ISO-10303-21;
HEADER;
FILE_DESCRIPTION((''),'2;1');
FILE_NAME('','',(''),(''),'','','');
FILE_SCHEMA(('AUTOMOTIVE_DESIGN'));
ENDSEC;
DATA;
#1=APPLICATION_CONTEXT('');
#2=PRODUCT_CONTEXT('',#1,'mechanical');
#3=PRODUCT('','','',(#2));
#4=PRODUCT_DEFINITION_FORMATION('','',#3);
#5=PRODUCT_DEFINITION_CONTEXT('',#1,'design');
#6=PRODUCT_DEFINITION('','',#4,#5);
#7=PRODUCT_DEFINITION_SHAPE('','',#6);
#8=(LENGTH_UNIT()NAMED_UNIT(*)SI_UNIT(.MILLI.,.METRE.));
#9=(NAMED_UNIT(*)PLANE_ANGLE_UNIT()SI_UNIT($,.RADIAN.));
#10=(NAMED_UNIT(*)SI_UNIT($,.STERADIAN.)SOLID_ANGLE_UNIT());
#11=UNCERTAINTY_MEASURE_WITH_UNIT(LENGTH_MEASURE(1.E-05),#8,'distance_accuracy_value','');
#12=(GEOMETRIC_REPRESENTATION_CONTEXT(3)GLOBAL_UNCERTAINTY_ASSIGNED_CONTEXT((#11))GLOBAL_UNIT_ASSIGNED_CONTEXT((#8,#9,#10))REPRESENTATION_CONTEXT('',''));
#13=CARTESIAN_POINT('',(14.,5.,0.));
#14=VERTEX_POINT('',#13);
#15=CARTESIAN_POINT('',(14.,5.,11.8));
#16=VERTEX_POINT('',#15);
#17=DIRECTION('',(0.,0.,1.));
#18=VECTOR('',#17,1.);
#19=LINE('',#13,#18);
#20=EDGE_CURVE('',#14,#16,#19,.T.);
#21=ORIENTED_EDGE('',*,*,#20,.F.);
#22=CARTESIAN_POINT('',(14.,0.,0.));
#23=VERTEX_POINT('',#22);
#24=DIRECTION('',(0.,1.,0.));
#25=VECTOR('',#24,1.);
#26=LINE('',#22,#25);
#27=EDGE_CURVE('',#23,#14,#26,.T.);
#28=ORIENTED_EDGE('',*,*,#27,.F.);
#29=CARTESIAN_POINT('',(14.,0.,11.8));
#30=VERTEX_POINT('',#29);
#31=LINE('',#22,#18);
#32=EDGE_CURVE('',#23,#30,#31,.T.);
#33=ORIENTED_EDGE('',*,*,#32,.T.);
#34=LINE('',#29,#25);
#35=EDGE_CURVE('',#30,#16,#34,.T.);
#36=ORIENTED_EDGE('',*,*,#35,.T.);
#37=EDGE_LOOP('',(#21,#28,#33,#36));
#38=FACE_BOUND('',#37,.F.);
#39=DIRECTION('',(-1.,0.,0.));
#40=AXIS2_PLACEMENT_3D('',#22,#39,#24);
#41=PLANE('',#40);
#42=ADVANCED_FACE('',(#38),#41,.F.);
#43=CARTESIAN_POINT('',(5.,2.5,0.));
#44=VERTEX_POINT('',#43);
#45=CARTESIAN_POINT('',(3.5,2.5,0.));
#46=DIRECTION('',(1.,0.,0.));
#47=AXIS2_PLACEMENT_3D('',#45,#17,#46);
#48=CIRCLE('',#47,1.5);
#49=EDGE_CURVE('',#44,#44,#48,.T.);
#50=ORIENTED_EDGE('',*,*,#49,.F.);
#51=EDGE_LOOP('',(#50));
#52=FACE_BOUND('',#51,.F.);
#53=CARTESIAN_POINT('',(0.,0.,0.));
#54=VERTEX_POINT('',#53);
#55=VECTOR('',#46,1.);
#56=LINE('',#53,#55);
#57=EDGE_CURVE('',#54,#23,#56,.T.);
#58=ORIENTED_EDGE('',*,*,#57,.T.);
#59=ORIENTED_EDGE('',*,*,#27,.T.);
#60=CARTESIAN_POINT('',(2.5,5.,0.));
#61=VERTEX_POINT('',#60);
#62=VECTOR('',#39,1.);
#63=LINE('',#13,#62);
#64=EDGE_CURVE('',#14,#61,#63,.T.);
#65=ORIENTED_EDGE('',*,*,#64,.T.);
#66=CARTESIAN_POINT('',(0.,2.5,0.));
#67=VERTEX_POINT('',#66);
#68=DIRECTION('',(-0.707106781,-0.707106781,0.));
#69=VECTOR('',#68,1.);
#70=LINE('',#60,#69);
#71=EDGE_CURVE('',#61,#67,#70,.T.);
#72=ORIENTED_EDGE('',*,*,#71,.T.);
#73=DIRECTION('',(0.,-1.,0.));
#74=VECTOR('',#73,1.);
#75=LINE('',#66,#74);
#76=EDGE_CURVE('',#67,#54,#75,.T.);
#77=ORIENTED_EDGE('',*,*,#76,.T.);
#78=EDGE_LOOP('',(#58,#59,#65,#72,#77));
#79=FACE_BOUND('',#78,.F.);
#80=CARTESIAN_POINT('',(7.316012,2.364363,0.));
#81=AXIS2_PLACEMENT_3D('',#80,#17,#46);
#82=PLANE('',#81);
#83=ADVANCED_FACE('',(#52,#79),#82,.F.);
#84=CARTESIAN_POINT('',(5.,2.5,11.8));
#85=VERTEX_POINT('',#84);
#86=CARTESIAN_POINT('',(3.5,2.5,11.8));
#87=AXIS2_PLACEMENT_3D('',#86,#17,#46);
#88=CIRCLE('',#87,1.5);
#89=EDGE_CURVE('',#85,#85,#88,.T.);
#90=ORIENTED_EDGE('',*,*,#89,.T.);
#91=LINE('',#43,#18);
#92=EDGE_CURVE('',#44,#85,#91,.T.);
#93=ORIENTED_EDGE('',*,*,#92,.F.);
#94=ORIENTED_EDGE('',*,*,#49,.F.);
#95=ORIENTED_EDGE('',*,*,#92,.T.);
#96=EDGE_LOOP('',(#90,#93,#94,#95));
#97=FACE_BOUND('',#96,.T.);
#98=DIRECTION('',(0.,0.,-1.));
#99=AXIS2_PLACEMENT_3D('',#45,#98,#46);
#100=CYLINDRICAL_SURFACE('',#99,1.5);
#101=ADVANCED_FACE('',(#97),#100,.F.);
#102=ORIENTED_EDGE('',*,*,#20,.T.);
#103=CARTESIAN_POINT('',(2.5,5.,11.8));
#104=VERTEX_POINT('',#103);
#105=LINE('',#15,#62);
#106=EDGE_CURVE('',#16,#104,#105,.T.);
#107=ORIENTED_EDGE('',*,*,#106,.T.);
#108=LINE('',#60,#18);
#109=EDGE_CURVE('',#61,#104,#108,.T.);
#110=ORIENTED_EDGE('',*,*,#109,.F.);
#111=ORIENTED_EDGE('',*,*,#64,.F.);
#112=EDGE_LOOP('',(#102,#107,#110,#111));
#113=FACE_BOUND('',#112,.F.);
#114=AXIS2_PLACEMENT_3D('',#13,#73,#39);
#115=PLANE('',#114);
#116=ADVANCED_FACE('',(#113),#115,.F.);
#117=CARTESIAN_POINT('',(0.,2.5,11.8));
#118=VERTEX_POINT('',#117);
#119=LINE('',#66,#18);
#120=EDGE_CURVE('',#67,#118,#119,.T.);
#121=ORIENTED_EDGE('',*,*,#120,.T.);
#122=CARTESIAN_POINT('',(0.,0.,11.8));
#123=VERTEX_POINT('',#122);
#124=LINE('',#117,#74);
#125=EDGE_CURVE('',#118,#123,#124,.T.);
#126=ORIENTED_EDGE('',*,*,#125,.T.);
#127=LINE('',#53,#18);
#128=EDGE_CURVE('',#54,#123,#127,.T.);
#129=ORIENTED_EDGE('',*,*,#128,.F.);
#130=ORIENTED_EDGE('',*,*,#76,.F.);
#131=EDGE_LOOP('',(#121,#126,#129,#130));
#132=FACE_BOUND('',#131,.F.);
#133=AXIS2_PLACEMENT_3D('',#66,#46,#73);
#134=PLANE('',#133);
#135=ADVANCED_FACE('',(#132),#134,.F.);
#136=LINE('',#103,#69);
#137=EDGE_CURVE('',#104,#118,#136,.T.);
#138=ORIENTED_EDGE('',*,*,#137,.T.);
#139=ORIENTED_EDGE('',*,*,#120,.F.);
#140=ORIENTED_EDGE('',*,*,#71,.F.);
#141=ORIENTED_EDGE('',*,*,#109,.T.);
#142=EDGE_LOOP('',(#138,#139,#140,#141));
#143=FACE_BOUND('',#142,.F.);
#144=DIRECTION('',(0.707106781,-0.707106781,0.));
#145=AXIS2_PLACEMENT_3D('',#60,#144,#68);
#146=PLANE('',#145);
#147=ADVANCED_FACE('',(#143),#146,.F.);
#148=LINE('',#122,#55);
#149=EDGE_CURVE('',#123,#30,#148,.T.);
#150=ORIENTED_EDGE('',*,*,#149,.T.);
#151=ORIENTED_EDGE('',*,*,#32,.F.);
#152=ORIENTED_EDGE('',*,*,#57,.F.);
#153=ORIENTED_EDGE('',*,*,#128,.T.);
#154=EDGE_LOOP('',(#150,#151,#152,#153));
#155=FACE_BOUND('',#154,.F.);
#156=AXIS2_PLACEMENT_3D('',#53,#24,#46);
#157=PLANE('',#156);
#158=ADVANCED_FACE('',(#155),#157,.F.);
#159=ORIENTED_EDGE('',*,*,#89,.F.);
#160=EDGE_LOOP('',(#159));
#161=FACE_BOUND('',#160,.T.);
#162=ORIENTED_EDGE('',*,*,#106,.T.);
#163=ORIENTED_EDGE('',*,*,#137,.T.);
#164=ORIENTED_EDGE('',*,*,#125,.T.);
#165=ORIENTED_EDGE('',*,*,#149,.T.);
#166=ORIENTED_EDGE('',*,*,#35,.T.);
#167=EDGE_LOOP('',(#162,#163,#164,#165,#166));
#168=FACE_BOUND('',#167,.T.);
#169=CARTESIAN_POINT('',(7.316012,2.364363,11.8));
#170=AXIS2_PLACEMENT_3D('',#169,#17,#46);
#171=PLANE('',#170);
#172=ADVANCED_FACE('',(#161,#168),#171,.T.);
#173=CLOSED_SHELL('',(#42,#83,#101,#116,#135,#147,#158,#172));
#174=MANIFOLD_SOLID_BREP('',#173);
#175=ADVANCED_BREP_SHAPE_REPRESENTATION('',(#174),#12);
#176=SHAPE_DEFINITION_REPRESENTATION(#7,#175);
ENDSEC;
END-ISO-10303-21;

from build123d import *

# Parameters (mm, degrees)
F0_R     = 1.5
F1_DEPTH = 11.8


with BuildPart() as f1:
    # F0 (on Top) → F1 (new body)
    with BuildSketch(Plane.XY):
        Polygon((0, 2.5), (0, 0), (14, 0), (14, 5), (2.5, 5), align=None)
        with Locations((3.5, 2.5)):
            Circle(F0_R, mode=Mode.SUBTRACT)
    extrude(amount=F1_DEPTH)


solid = f1.part
